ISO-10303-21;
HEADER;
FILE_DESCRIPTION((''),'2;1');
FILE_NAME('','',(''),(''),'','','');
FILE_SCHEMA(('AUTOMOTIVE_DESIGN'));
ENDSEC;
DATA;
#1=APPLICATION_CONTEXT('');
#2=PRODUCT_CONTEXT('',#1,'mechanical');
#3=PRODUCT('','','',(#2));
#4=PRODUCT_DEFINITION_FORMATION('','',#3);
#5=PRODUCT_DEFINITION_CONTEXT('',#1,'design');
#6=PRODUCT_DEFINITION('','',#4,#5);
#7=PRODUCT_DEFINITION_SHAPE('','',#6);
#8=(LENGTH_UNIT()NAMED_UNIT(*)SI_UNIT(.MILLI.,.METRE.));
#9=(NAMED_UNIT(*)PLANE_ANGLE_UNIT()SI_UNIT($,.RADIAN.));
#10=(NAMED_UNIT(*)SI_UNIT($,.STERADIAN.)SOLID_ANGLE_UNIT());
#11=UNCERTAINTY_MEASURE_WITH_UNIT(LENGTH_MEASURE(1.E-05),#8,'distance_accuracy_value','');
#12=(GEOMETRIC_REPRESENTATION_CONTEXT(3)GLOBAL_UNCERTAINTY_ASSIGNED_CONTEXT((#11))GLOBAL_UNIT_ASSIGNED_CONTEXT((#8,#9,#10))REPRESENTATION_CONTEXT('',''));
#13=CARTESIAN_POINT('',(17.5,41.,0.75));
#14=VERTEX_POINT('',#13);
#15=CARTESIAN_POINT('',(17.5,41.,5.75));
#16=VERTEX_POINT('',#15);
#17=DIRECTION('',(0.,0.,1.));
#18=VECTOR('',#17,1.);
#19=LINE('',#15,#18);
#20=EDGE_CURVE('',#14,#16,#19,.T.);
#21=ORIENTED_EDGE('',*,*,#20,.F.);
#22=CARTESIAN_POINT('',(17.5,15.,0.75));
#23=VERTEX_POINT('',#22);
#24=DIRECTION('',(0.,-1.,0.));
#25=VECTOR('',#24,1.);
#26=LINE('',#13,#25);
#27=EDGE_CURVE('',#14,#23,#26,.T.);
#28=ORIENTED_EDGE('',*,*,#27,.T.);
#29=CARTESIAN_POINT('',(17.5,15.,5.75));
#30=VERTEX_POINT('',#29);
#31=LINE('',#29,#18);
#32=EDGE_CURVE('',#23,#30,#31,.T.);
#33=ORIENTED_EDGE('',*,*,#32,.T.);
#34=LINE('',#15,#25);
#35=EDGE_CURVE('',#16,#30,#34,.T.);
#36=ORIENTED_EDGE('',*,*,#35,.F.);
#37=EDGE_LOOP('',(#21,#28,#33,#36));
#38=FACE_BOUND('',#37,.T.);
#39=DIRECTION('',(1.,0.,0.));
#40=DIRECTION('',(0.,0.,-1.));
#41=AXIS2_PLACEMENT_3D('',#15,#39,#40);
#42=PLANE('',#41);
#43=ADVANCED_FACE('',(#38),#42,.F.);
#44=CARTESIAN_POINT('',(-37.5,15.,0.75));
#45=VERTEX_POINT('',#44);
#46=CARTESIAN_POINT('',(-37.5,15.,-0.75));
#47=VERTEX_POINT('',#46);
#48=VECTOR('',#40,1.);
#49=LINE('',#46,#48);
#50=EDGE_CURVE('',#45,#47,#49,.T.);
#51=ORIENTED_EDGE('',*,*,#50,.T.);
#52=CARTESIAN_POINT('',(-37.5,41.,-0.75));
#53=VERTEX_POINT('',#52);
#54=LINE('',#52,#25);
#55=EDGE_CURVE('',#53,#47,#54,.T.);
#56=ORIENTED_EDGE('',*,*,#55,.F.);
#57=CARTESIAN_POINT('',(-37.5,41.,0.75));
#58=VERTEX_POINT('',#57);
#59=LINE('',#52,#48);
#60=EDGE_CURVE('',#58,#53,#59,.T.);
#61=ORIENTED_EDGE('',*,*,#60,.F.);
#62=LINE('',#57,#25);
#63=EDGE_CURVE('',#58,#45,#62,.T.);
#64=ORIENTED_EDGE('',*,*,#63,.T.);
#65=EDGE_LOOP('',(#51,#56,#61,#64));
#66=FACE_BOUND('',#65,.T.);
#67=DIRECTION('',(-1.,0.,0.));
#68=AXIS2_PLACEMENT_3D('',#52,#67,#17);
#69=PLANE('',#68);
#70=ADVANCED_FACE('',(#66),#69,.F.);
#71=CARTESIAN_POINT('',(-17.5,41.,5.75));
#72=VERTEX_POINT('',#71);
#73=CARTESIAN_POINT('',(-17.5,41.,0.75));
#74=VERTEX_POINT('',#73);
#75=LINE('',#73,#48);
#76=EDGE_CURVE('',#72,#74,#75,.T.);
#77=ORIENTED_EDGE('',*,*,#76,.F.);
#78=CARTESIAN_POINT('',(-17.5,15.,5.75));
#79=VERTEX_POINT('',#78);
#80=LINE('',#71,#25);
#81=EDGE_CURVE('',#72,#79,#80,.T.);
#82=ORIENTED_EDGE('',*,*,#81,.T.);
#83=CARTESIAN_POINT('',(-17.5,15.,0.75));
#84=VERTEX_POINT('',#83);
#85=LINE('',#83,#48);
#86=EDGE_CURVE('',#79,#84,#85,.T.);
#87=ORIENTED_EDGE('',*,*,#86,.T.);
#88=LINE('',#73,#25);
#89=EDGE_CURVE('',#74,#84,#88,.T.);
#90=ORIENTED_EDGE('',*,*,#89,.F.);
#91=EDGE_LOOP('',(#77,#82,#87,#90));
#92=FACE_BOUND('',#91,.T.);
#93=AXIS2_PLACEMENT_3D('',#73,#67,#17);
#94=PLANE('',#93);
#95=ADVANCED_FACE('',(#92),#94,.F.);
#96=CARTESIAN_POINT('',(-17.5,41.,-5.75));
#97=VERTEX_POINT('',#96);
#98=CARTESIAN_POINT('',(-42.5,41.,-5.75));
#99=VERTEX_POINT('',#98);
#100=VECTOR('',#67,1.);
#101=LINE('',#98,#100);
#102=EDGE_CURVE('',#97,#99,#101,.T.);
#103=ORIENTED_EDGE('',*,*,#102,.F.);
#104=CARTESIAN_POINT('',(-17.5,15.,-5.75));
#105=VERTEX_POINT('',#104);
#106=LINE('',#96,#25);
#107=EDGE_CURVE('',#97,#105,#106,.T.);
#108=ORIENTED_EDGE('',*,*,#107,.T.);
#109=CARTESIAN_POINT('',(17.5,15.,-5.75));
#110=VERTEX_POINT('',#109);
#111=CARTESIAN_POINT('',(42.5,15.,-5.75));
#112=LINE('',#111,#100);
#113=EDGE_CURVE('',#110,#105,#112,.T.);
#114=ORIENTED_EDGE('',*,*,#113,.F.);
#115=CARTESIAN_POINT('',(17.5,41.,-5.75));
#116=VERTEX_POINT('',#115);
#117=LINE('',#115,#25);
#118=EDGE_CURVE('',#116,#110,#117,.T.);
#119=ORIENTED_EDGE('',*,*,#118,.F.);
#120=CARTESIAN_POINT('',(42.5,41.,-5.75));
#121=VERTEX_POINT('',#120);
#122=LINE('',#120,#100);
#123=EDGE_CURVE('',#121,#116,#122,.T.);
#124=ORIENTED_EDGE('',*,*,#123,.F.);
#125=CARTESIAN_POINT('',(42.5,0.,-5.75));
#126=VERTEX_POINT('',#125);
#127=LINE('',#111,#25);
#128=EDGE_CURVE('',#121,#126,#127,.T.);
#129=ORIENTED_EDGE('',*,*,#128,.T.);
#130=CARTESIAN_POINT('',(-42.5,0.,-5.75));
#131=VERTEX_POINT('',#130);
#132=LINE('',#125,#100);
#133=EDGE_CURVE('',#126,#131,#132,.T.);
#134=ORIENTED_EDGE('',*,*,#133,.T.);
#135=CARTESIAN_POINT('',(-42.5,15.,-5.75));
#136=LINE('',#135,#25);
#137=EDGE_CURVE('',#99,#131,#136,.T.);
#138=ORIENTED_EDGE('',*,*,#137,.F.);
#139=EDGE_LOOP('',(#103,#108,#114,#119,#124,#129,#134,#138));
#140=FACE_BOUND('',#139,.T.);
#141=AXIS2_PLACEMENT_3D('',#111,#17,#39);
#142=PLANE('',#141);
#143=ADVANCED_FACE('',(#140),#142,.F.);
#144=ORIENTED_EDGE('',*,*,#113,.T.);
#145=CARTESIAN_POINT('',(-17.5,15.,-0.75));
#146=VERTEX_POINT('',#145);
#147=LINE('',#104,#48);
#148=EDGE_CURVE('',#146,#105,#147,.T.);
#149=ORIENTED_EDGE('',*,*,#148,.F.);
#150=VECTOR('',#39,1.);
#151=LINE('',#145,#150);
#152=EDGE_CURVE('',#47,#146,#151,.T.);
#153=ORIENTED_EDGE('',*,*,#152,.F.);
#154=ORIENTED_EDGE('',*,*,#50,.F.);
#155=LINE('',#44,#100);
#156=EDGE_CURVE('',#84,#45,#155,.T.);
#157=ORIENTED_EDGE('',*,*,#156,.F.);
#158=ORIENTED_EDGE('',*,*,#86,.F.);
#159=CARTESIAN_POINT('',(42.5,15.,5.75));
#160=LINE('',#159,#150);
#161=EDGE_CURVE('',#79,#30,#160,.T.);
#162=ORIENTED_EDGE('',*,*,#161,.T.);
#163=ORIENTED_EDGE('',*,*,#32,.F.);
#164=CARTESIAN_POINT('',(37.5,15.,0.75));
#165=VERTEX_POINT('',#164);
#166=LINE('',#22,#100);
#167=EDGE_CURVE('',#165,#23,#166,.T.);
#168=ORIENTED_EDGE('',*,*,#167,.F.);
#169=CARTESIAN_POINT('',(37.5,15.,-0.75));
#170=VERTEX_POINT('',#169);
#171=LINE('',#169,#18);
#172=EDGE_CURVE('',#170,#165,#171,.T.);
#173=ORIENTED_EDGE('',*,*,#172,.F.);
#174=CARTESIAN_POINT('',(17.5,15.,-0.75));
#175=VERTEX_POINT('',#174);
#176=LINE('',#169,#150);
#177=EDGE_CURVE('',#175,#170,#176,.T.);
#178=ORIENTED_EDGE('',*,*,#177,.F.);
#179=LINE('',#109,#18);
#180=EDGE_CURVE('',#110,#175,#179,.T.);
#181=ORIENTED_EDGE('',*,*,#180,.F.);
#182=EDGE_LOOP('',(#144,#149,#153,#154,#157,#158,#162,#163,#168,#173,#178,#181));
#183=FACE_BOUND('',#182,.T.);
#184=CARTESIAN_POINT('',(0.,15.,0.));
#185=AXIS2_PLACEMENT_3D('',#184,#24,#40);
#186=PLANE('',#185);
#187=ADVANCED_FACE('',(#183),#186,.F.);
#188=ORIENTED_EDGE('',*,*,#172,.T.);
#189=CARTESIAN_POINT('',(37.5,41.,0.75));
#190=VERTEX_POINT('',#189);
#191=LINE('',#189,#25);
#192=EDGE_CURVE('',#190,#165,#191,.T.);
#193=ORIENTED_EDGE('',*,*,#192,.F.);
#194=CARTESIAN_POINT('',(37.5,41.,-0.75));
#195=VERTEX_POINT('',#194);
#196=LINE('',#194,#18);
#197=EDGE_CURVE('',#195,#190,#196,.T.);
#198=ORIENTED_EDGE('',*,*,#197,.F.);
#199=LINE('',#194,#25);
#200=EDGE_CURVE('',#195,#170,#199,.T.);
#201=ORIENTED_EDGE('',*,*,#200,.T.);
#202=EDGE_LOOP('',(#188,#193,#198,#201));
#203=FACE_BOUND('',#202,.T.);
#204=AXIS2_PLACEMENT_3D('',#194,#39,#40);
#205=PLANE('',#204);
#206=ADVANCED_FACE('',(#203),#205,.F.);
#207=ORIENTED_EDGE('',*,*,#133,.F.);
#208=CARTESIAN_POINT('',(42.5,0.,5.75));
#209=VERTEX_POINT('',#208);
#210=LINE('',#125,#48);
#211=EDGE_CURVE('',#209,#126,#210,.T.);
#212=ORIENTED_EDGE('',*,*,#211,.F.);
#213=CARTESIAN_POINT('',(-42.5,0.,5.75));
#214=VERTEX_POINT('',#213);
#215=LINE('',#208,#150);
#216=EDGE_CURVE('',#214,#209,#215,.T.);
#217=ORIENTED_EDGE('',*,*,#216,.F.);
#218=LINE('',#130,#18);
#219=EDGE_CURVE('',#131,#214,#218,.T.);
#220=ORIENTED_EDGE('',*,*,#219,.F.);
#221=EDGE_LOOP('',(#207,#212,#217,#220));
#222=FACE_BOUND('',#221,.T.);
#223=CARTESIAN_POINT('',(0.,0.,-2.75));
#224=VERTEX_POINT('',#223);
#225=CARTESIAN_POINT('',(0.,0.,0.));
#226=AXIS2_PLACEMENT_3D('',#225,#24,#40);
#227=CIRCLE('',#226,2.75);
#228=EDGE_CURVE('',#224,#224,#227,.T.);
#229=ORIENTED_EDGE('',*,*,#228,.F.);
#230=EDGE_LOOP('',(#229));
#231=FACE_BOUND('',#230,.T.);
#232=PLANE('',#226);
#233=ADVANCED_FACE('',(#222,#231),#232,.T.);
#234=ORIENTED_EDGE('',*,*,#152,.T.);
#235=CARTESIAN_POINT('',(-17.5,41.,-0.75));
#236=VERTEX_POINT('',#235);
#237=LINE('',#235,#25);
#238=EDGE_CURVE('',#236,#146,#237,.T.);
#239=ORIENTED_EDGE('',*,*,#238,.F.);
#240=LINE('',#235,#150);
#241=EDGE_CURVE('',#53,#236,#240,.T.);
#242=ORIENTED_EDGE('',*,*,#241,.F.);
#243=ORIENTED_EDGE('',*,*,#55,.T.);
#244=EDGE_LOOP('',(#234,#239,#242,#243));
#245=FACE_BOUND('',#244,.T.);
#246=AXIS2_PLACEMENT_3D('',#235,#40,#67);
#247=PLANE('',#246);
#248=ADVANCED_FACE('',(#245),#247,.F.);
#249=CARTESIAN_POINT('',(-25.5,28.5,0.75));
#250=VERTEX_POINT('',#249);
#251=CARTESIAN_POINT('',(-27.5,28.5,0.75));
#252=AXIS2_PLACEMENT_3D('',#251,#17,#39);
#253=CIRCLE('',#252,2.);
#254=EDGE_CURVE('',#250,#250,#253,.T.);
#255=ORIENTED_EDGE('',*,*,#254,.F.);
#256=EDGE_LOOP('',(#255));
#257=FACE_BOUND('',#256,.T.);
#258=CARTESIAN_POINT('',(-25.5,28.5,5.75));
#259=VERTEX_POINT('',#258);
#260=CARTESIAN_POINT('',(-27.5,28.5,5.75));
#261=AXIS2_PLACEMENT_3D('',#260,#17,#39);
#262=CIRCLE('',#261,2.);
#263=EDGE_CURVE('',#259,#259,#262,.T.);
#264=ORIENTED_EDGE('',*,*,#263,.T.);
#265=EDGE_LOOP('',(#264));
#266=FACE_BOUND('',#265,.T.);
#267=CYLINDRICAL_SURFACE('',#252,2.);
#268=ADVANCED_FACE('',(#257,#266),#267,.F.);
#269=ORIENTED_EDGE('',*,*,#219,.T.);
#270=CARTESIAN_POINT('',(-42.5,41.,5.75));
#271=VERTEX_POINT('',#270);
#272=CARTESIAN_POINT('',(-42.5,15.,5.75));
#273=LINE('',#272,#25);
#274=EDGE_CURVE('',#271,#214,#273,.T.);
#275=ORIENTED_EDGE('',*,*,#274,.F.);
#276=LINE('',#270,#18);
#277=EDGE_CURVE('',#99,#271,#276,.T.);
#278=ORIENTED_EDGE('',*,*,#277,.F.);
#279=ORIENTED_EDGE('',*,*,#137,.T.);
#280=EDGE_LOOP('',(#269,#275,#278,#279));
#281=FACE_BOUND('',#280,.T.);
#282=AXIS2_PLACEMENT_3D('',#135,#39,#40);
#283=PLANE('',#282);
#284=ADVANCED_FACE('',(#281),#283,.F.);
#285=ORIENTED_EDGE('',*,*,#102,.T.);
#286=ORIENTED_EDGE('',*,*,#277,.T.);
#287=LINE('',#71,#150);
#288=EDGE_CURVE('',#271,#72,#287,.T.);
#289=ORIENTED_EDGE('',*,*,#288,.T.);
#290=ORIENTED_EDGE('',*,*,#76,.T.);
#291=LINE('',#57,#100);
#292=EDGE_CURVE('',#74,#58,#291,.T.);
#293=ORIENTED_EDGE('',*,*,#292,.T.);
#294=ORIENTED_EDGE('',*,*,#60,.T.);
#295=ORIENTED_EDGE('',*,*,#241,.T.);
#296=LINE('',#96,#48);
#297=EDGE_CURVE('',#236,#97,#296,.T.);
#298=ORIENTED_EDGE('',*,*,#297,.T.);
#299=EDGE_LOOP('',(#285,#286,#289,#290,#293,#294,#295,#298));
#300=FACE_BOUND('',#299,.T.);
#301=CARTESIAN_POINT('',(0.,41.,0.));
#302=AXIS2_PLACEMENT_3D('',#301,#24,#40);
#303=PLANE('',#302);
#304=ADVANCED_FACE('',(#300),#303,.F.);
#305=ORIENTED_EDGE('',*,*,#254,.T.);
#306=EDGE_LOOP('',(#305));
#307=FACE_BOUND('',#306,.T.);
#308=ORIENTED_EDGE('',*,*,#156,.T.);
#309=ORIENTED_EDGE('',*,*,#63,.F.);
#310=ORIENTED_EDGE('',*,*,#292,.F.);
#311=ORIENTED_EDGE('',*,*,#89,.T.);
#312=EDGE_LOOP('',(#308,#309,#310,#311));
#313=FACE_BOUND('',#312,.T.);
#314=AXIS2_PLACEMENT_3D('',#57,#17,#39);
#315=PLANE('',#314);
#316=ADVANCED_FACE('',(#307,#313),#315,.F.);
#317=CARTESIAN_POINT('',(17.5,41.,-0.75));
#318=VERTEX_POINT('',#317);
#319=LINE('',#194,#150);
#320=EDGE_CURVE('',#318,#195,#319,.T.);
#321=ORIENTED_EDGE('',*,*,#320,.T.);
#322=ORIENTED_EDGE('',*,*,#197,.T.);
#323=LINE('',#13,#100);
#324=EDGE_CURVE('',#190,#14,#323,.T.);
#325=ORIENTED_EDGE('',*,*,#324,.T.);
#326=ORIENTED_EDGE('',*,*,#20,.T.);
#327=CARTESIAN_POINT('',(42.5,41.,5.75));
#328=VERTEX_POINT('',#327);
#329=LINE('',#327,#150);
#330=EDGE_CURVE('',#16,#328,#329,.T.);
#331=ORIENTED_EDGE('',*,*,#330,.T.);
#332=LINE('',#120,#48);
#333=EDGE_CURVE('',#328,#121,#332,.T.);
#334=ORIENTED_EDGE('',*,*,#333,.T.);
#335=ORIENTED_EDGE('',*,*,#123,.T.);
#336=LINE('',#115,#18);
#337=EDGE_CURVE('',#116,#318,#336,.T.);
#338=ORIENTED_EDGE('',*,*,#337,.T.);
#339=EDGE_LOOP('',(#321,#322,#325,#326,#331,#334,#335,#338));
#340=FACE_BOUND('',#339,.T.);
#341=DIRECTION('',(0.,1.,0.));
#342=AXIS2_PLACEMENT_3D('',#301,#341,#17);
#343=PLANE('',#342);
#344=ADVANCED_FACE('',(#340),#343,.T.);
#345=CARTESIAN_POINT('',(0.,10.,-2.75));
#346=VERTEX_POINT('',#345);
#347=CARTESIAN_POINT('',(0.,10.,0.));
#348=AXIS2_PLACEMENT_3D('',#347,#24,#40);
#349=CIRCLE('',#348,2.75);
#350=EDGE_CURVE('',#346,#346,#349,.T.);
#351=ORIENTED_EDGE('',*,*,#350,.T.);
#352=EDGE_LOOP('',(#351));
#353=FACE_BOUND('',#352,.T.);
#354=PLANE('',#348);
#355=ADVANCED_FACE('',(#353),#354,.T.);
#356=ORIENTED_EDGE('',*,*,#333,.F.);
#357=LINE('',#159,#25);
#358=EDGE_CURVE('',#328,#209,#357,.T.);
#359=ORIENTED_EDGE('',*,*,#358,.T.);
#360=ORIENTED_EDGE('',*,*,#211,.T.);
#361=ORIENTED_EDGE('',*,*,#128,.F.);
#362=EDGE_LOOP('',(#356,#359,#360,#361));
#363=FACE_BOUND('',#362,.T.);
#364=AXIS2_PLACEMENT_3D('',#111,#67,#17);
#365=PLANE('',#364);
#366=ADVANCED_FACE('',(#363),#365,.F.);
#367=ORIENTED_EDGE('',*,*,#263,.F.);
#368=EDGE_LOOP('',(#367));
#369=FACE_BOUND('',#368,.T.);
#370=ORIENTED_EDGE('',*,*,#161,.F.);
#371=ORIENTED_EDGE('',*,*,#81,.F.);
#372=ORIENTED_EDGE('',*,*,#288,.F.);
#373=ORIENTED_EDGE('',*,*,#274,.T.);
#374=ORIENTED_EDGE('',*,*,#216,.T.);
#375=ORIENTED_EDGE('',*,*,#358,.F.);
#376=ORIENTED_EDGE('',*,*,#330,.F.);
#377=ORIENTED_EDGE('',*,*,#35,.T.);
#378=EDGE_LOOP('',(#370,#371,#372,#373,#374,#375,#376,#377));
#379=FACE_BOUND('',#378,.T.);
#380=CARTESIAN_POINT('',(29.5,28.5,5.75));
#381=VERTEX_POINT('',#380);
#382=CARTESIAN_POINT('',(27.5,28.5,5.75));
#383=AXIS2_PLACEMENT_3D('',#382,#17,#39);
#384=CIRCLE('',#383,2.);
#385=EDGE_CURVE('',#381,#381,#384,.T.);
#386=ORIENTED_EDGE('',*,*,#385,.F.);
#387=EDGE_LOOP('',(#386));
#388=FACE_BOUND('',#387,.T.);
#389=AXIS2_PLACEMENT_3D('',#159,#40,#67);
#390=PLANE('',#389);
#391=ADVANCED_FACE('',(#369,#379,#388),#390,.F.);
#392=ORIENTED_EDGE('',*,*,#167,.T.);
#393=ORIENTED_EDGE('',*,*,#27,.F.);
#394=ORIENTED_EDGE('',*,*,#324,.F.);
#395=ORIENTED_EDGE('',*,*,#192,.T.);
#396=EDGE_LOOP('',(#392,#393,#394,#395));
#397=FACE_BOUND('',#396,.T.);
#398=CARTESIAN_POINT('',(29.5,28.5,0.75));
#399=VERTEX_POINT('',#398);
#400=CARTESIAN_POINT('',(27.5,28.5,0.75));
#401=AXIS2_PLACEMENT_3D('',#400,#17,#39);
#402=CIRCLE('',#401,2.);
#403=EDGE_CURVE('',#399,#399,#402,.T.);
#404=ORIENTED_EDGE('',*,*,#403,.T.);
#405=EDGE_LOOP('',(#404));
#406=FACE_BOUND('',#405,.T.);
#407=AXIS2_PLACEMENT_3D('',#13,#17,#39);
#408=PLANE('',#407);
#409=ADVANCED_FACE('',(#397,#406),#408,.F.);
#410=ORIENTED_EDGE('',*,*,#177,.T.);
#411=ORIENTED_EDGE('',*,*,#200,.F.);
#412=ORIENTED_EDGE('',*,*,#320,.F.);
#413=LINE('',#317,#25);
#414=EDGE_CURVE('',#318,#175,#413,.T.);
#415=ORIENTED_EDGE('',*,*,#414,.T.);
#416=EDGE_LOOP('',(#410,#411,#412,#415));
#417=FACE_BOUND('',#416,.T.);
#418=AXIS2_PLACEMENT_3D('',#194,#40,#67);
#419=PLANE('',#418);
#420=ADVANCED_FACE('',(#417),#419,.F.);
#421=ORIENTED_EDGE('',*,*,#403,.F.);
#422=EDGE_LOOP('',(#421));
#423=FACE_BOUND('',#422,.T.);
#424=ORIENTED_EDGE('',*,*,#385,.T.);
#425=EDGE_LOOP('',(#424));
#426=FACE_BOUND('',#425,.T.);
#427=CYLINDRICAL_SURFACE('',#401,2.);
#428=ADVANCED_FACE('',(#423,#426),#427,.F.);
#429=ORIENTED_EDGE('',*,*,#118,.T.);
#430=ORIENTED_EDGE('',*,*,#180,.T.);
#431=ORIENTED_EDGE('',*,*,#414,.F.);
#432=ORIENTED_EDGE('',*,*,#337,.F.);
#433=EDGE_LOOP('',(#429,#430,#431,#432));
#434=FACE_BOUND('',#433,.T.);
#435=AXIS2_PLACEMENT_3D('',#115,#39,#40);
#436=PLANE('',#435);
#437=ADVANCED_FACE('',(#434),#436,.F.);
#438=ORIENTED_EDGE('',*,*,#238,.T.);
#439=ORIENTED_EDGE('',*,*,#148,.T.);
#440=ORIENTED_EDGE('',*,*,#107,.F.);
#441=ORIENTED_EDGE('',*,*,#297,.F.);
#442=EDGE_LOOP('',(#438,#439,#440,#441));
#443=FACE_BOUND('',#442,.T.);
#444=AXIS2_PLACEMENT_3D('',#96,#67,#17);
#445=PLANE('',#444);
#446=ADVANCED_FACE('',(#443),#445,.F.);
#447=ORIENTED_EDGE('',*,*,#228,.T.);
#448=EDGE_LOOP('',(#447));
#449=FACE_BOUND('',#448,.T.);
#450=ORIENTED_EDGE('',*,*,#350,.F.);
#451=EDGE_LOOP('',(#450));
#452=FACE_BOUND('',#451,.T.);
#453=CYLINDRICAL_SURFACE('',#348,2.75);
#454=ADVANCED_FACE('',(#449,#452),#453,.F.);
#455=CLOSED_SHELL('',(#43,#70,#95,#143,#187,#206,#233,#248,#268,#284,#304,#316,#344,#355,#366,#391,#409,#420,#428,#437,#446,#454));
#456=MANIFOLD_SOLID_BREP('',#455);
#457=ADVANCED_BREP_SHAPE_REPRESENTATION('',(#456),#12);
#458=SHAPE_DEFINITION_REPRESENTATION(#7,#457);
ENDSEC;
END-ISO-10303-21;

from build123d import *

# Parameters (mm, degrees)
SKETCH2_W           = 85
SKETCH2_H           = 11.5
BOSS_EXTRUDE1_DEPTH = 15
SKETCH3_R           = 2.75
CUT_EXTRUDE1_DEPTH  = 10
BOSS_EXTRUDE2_DEPTH = 26
SKETCH5_R           = 2
CUT_EXTRUDE2_DEPTH  = 5


with BuildPart() as part:
    # Sketch2 → Boss-Extrude1 (new body)
    with BuildSketch(Plane(origin=(0, 0, 0), x_dir=(1, 0, 0), z_dir=(0, 1, 0))):
        Rectangle(SKETCH2_W, SKETCH2_H)
    extrude(amount=BOSS_EXTRUDE1_DEPTH)

    # Sketch3 → Cut-Extrude1 (cut)
    with BuildSketch(Plane.XZ):
        with Locations(Location((0, 0, 0), (0, 0, 270))):
            Circle(SKETCH3_R)
    extrude(amount=-CUT_EXTRUDE1_DEPTH, mode=Mode.SUBTRACT)

    # Sketch4 → Boss-Extrude2 (add)
    with BuildSketch(Plane(origin=(0, 15, 0), x_dir=(1, 0, 0), z_dir=(0, 1, 0))):
        Polygon((-42.5, 5.75), (-17.5, 5.75), (-17.5, 0.75), (-37.5, 0.75), (-37.5, -0.75), (-17.5, -0.75), (-17.5, -5.75), (-42.5, -5.75), align=None)
        Polygon((42.5, 5.75), (42.5, -5.75), (17.5, -5.75), (17.5, -0.75), (37.5, -0.75), (37.5, 0.75), (17.5, 0.75), (17.5, 5.75), align=None)
    extrude(amount=BOSS_EXTRUDE2_DEPTH)

    # Sketch5 → Cut-Extrude2 (cut)
    with BuildSketch(Plane.XY.offset(5.75)):
        with Locations((-27.5, 28.5)):
            Circle(SKETCH5_R)
        with Locations((27.5, 28.5)):
            Circle(SKETCH5_R)
    extrude(amount=-CUT_EXTRUDE2_DEPTH, mode=Mode.SUBTRACT)


solid = part.part
